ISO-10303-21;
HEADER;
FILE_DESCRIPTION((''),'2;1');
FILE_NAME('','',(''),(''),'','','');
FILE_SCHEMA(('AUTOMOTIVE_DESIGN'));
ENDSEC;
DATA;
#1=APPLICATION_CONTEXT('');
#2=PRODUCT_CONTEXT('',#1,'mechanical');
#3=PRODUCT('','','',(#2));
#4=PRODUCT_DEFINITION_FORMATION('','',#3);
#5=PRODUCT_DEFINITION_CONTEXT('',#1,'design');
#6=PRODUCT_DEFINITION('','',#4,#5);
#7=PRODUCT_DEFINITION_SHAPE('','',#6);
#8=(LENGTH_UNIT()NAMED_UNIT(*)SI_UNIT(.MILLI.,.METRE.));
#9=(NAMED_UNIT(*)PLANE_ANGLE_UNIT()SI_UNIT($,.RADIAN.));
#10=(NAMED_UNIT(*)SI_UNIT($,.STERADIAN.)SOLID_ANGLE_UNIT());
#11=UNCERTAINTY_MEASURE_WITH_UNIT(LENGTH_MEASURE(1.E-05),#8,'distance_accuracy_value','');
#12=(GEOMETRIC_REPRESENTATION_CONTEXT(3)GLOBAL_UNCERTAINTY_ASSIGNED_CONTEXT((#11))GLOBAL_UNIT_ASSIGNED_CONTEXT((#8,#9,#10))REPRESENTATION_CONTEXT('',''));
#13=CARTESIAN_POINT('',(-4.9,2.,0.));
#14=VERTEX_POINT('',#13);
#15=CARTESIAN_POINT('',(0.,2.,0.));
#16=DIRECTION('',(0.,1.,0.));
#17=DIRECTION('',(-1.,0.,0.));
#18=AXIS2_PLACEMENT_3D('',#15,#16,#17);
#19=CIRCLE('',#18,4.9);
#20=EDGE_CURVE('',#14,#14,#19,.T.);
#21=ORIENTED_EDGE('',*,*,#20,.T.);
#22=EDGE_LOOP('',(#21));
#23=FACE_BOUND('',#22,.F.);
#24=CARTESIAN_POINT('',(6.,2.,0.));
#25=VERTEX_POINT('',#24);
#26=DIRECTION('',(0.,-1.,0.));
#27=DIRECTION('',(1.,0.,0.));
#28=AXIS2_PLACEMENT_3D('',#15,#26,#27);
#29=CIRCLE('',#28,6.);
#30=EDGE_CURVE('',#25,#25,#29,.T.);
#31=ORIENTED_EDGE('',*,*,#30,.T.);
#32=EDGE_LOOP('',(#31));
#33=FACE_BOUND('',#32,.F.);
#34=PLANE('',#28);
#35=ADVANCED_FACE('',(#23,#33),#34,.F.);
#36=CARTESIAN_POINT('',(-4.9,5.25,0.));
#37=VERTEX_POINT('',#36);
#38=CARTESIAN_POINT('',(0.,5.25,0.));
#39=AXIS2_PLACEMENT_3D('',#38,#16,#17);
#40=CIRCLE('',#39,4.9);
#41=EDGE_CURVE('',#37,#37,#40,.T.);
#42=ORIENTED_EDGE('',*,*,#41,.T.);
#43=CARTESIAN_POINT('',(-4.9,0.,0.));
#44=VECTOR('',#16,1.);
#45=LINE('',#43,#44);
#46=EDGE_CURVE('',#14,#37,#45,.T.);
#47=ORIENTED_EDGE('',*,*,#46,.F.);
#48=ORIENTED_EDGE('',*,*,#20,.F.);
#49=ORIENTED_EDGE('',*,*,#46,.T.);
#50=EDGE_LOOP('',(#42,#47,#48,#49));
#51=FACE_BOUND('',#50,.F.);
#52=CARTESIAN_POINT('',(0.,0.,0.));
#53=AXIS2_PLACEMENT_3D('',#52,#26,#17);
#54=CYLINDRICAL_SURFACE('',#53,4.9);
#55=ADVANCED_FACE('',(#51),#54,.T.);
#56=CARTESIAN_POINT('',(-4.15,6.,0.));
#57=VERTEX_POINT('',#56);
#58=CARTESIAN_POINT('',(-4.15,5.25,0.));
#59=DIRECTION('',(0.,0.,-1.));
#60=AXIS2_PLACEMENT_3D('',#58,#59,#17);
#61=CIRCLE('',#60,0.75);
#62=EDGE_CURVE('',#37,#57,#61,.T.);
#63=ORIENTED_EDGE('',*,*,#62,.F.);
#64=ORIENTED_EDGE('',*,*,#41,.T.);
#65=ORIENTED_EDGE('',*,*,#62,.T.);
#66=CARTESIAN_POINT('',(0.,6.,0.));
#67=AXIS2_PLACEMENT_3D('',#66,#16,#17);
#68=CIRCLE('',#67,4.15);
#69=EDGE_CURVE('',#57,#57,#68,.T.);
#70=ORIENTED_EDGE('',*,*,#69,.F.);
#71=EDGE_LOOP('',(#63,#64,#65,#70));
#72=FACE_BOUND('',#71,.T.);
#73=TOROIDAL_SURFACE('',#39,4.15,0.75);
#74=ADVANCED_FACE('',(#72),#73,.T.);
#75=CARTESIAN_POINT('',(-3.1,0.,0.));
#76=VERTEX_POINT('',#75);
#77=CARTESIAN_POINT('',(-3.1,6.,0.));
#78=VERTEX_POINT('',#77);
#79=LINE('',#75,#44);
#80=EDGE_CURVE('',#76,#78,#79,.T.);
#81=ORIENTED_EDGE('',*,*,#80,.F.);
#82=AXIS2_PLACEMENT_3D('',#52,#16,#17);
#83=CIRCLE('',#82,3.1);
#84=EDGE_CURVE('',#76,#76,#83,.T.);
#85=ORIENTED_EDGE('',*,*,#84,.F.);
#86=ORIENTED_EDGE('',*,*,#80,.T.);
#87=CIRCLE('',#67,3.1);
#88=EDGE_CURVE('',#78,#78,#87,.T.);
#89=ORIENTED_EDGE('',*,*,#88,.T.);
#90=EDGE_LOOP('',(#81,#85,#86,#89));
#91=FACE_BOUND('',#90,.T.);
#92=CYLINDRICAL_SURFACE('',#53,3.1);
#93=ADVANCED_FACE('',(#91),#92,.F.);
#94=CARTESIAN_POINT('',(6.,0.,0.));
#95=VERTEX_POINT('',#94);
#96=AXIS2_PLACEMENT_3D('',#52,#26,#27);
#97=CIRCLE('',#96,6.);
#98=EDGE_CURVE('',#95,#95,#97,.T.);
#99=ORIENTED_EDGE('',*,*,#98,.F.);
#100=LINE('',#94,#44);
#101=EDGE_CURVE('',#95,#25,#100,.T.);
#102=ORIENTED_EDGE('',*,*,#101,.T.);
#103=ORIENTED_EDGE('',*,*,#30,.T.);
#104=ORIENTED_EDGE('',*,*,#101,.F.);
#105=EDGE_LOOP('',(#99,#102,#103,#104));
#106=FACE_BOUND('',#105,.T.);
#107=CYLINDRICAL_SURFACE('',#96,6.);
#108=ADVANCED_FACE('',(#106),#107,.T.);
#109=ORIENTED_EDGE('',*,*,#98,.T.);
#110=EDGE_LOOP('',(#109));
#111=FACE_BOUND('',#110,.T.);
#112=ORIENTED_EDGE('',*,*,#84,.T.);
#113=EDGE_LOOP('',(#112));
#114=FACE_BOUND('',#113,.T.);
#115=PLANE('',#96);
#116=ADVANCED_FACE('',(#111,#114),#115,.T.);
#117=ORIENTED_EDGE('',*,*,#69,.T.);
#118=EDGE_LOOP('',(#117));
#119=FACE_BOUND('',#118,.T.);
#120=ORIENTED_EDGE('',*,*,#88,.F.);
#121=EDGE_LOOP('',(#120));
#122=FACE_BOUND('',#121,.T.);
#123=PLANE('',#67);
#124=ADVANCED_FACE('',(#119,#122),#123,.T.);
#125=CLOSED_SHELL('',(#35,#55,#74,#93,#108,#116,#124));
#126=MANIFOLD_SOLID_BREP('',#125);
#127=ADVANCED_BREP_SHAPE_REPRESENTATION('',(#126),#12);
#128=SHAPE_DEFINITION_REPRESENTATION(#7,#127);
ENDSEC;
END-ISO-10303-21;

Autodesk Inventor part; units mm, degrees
ref_plane "YZ Plane" through (0, 0, 0) normal (1, 0, 0) x (0, 1, 0)
ref_plane "XZ Plane" through (0, 0, 0) normal (0, 1, 0) x (-1, 0, 0)
ref_plane "XY Plane" through (0, 0, 0) normal (0, 0, 1) x (1, 0, 0)
sketch "Sketch1" plane through (0, 0, 0) normal (0, 1, 0) x (-1, 0, 0)
  circle A0 centre (0, 0) radius 4.9
  circle A1 centre (0, 0) radius 3.1
  dimension "d0" = 9.8
  dimension "d1" = 6.2
extrude "Extrusion1" add sketch "Sketch1" along normal blind 6
sketch "Sketch2" plane through (0, 0, 0) normal (0, -1, 0) x (1, 0, 0)
  circle A0 centre (0, 0) radius 6
  circle A1 centre (0, 0) radius 4.9 projected
  circle A2 centre (0, 0) radius 3.1 projected
  dimension "d4" = 12
extrude "Extrusion2" add sketch "Sketch2" against normal blind 2 contours A0
fillet "Fillet1" radius 0.75 1 edges at (4.9, 6, 0)
properties part number "bøsning_beslag_3D" material "Brass, Soft Yellow"
